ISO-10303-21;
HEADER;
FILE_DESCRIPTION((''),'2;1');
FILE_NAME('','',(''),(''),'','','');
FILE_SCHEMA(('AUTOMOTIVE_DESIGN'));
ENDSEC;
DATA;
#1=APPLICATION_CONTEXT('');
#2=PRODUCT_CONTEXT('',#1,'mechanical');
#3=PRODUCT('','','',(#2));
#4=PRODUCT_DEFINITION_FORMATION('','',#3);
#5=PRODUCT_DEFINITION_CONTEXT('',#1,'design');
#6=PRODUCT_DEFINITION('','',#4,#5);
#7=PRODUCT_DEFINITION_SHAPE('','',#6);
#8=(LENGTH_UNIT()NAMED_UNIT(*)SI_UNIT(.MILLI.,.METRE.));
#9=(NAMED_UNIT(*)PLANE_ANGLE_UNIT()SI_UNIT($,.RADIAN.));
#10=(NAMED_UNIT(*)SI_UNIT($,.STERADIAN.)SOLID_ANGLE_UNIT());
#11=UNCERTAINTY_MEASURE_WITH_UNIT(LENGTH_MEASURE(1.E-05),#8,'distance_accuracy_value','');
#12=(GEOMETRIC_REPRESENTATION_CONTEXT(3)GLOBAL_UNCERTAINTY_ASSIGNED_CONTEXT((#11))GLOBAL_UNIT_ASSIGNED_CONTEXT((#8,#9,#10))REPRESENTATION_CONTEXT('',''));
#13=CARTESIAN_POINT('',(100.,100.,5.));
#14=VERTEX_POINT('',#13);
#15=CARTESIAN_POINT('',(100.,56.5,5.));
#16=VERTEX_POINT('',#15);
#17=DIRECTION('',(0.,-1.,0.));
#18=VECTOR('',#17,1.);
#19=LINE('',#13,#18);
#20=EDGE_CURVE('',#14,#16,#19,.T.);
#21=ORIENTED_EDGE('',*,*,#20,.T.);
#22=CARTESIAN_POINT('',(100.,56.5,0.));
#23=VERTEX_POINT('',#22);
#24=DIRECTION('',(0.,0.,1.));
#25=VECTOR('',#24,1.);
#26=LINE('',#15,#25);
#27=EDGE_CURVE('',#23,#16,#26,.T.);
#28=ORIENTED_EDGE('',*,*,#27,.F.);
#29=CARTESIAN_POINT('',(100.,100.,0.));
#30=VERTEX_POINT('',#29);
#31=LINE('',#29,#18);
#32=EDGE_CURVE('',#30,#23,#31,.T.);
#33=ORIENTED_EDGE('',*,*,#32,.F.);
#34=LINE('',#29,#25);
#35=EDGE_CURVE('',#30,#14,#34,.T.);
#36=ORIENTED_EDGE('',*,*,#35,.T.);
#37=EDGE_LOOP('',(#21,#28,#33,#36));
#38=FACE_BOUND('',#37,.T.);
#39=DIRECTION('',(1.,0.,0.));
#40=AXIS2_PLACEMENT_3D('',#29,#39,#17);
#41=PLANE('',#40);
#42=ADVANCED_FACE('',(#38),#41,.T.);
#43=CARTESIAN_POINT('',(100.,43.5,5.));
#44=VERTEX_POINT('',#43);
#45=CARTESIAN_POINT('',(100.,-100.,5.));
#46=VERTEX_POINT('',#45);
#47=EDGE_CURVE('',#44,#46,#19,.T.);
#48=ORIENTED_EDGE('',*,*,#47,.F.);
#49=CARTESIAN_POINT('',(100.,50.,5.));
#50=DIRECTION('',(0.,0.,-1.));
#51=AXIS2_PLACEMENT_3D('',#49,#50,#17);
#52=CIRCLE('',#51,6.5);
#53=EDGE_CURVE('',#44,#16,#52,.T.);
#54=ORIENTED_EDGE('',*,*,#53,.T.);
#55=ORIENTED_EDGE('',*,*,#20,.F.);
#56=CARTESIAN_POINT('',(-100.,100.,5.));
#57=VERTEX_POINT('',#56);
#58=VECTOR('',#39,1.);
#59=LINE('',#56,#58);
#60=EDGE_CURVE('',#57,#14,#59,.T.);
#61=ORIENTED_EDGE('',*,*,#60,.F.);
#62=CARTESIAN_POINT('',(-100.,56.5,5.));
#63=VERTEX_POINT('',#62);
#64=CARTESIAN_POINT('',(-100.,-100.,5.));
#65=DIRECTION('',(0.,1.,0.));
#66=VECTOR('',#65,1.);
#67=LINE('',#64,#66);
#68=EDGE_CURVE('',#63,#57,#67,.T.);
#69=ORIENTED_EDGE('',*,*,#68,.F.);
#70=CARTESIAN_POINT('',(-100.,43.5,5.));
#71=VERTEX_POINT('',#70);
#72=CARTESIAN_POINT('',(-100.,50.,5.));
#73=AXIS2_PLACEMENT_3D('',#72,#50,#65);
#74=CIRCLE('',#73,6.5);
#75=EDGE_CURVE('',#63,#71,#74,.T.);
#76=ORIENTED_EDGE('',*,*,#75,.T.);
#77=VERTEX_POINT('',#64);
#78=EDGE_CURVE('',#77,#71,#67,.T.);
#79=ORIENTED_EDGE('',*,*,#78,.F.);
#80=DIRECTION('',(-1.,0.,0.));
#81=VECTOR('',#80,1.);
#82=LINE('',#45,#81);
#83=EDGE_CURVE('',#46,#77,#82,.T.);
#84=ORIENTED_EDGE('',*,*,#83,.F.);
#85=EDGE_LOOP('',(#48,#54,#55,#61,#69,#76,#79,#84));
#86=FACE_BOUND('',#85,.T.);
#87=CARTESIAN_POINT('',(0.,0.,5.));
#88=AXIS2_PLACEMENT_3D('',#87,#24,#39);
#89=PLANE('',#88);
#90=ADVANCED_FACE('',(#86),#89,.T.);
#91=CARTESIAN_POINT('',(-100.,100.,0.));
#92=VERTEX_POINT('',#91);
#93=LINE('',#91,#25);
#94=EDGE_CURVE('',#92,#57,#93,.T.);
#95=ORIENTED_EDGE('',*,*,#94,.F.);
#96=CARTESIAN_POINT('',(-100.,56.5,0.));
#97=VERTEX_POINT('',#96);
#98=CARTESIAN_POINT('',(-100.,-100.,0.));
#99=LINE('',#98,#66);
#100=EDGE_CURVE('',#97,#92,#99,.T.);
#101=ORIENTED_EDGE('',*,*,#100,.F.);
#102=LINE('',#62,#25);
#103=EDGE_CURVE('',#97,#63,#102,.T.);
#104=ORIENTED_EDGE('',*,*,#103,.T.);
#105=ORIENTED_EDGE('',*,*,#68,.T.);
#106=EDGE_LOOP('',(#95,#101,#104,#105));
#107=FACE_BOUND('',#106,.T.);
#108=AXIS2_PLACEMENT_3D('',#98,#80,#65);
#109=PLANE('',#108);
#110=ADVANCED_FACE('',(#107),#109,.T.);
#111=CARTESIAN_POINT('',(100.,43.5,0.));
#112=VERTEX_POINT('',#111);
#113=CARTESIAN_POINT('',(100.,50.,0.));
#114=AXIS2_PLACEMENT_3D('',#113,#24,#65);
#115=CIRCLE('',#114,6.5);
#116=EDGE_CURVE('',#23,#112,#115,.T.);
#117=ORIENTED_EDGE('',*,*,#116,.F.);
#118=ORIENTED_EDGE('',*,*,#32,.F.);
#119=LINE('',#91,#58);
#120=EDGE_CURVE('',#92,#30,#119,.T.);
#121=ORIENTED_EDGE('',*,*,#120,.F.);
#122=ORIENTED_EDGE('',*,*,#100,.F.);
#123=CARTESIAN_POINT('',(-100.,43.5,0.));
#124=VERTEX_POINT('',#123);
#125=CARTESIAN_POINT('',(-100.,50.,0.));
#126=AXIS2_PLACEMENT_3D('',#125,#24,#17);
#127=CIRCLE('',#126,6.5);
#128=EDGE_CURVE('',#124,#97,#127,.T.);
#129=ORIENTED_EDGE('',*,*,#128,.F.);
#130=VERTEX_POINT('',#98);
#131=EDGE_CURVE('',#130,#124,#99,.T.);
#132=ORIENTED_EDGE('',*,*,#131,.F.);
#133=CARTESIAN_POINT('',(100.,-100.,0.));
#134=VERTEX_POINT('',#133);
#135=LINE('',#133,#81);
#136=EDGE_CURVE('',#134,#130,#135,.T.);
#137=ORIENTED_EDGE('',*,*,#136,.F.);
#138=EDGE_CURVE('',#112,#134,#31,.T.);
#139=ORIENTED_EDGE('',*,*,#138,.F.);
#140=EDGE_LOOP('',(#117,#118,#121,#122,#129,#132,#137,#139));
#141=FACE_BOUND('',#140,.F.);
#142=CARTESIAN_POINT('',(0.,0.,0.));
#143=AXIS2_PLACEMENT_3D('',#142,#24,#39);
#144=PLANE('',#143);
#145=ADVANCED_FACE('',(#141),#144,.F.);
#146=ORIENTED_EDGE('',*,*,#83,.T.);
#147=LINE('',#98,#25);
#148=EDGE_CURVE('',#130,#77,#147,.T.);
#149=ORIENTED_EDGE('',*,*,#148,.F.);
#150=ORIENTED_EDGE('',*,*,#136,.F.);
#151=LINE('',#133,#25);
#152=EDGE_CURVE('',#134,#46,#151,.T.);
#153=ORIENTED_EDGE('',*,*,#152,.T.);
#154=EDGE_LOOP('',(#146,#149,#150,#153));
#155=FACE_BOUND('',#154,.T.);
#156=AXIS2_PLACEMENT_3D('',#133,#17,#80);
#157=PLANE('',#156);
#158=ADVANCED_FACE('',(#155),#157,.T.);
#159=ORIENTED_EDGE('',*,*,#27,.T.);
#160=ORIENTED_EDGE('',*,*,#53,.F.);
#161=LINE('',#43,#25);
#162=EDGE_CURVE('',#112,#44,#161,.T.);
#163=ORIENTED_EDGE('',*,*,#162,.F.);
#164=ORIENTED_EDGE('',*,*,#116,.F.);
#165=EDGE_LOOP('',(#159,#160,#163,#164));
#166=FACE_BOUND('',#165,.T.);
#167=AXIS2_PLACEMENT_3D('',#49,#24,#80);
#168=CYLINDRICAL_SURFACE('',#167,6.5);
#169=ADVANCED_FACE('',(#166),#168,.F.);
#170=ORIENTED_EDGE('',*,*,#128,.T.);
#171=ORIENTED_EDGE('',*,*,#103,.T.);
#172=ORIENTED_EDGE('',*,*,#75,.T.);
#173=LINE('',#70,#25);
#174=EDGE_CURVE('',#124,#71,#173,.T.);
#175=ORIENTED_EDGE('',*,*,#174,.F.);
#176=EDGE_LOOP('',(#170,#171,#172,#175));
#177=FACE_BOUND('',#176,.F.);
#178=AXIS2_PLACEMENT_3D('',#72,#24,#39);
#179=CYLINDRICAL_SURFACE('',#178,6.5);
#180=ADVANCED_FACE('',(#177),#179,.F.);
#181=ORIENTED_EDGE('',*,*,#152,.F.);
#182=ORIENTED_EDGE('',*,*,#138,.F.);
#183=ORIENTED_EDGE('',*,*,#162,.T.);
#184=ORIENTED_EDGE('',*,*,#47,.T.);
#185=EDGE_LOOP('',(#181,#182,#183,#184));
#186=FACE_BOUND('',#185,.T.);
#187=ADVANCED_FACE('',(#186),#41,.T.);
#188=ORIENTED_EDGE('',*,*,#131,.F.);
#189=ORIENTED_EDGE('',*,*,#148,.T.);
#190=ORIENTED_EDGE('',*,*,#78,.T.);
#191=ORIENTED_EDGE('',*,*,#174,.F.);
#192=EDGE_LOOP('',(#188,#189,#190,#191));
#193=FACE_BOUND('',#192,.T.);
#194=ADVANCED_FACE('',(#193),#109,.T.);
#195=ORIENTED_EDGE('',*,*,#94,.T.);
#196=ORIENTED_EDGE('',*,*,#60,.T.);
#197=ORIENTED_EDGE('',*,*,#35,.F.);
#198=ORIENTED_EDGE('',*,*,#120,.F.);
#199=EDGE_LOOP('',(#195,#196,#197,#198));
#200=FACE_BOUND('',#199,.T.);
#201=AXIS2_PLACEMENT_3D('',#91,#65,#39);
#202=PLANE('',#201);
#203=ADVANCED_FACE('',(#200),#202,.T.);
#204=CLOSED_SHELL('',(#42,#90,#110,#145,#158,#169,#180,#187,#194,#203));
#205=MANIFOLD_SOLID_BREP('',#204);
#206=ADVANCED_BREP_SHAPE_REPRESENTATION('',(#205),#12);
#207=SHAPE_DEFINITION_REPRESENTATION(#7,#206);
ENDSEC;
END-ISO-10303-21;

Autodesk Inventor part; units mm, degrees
ref_plane "YZ Plane" through (0, 0, 0) normal (1, 0, 0) x (0, 1, 0)
ref_plane "XZ Plane" through (0, 0, 0) normal (0, 1, 0) x (-1, 0, 0)
ref_plane "XY Plane" through (0, 0, 0) normal (0, 0, 1) x (1, 0, 0)
sketch "Sketch1" plane through (0, 0, 0) normal (0, 0, 1) x (1, 0, 0)
  line L0 (-100, 100) -> (100, 100)
  line L1 (100, 100) -> (100, -100)
  line L2 (100, -100) -> (-100, -100)
  line L3 (-100, -100) -> (-100, 100)
  line L4 (-100, 100) -> (100, -100) construction
  line L5 (100, 100) -> (-100, -100) construction
  point P0 (0, 0)
  point P1 (0, 0)
  point P2 (0, 0)
  dimension "d25" = 200
  dimension "d26" = 200
extrude "Plate1" add sketch "Sketch1" along normal blind 5
sketch "Sketch6" plane through (0, 0, 5) normal (0, 0, 1) x (1, 0, 0)
  circle A0 centre (-75, 0) radius 15
  circle A1 centre (75, 0) radius 15
  line L0 (0, 0) -> (0, 55.0725) construction
  dimension "d37" = 30
  dimension "d38" = 150
cut "Cut1" [suppressed]
sketch "Sketch8" plane through (0, 0, 0) normal (1, 0, 0) x (0, 1, 0)
  line L0 (-94.2929, 40) -> (94.2929, 40) projected
  circle A0 centre (0, 30) radius 6.5
  line L1 (89.2929, 5) -> (-89.2929, 5) projected
  point P0 (0, 0)
  dimension "d48" = 13
  dimension "d49" = 25
extrude "Extrusion3" [suppressed]
pattern_linear "Rectangular Pattern2" [suppressed]
sketch "Sketch9" plane through (0, 0, 5) normal (0, 0, 1) x (1, 0, 0)
  circle A0 centre (-100, 50) radius 6.5
  point P0 (0, 0)
  point P1 (-225, 50)
  dimension "d55" = 13
  dimension "d73" = 100
  dimension "d74" = 50
extrude "Cut2" cut sketch "Sketch9" against normal blind 5
mirror "Mirror1" about plane through (0, 0, 0) normal (1, 0, 0) of "Cut2"
equation "\"d26\" = Гриндер_высота"
equation "\"d38\" = Гриндер_Валы_между_центрами"
equation "\"d39\" = Thickness"
equation "\"d48\" = Гриндер_диам_отврс_корпуса"
equation "\"d49\" = Гриндер_отступ_отврс_корпуса"
equation "\"d55\" = Гриндер_диам_отврс_корпуса"
equation "\"d57\" = Thickness"
equation "\"d2\" = Thickness"
equation "\"BendReliefWidth\" = Thickness"
equation "\"BendReliefDepth\" = 0.5 * Thickness"
equation "\"TransitionRadius\" = BendRadius"
equation "\"JacobiRadiusSize\" = BendRadius"
equation "\"GapSize\" = Thickness"
equation "\"Гриндер_отступ_отврс_корпуса\" = 25"
equation "\"Гриндер_диам_отврс_корпуса\" = 13"
equation "\"Гриндер_высота\" = 200"
equation "\"Гриндер_Валы_между_центрами\" = 150"
equation "\"Thickness\" = 5"
equation "\"BendRadius\" = 5"
properties part number "NDM-VOS 111 sredder wall _CPY" material "Stainless Steel"
